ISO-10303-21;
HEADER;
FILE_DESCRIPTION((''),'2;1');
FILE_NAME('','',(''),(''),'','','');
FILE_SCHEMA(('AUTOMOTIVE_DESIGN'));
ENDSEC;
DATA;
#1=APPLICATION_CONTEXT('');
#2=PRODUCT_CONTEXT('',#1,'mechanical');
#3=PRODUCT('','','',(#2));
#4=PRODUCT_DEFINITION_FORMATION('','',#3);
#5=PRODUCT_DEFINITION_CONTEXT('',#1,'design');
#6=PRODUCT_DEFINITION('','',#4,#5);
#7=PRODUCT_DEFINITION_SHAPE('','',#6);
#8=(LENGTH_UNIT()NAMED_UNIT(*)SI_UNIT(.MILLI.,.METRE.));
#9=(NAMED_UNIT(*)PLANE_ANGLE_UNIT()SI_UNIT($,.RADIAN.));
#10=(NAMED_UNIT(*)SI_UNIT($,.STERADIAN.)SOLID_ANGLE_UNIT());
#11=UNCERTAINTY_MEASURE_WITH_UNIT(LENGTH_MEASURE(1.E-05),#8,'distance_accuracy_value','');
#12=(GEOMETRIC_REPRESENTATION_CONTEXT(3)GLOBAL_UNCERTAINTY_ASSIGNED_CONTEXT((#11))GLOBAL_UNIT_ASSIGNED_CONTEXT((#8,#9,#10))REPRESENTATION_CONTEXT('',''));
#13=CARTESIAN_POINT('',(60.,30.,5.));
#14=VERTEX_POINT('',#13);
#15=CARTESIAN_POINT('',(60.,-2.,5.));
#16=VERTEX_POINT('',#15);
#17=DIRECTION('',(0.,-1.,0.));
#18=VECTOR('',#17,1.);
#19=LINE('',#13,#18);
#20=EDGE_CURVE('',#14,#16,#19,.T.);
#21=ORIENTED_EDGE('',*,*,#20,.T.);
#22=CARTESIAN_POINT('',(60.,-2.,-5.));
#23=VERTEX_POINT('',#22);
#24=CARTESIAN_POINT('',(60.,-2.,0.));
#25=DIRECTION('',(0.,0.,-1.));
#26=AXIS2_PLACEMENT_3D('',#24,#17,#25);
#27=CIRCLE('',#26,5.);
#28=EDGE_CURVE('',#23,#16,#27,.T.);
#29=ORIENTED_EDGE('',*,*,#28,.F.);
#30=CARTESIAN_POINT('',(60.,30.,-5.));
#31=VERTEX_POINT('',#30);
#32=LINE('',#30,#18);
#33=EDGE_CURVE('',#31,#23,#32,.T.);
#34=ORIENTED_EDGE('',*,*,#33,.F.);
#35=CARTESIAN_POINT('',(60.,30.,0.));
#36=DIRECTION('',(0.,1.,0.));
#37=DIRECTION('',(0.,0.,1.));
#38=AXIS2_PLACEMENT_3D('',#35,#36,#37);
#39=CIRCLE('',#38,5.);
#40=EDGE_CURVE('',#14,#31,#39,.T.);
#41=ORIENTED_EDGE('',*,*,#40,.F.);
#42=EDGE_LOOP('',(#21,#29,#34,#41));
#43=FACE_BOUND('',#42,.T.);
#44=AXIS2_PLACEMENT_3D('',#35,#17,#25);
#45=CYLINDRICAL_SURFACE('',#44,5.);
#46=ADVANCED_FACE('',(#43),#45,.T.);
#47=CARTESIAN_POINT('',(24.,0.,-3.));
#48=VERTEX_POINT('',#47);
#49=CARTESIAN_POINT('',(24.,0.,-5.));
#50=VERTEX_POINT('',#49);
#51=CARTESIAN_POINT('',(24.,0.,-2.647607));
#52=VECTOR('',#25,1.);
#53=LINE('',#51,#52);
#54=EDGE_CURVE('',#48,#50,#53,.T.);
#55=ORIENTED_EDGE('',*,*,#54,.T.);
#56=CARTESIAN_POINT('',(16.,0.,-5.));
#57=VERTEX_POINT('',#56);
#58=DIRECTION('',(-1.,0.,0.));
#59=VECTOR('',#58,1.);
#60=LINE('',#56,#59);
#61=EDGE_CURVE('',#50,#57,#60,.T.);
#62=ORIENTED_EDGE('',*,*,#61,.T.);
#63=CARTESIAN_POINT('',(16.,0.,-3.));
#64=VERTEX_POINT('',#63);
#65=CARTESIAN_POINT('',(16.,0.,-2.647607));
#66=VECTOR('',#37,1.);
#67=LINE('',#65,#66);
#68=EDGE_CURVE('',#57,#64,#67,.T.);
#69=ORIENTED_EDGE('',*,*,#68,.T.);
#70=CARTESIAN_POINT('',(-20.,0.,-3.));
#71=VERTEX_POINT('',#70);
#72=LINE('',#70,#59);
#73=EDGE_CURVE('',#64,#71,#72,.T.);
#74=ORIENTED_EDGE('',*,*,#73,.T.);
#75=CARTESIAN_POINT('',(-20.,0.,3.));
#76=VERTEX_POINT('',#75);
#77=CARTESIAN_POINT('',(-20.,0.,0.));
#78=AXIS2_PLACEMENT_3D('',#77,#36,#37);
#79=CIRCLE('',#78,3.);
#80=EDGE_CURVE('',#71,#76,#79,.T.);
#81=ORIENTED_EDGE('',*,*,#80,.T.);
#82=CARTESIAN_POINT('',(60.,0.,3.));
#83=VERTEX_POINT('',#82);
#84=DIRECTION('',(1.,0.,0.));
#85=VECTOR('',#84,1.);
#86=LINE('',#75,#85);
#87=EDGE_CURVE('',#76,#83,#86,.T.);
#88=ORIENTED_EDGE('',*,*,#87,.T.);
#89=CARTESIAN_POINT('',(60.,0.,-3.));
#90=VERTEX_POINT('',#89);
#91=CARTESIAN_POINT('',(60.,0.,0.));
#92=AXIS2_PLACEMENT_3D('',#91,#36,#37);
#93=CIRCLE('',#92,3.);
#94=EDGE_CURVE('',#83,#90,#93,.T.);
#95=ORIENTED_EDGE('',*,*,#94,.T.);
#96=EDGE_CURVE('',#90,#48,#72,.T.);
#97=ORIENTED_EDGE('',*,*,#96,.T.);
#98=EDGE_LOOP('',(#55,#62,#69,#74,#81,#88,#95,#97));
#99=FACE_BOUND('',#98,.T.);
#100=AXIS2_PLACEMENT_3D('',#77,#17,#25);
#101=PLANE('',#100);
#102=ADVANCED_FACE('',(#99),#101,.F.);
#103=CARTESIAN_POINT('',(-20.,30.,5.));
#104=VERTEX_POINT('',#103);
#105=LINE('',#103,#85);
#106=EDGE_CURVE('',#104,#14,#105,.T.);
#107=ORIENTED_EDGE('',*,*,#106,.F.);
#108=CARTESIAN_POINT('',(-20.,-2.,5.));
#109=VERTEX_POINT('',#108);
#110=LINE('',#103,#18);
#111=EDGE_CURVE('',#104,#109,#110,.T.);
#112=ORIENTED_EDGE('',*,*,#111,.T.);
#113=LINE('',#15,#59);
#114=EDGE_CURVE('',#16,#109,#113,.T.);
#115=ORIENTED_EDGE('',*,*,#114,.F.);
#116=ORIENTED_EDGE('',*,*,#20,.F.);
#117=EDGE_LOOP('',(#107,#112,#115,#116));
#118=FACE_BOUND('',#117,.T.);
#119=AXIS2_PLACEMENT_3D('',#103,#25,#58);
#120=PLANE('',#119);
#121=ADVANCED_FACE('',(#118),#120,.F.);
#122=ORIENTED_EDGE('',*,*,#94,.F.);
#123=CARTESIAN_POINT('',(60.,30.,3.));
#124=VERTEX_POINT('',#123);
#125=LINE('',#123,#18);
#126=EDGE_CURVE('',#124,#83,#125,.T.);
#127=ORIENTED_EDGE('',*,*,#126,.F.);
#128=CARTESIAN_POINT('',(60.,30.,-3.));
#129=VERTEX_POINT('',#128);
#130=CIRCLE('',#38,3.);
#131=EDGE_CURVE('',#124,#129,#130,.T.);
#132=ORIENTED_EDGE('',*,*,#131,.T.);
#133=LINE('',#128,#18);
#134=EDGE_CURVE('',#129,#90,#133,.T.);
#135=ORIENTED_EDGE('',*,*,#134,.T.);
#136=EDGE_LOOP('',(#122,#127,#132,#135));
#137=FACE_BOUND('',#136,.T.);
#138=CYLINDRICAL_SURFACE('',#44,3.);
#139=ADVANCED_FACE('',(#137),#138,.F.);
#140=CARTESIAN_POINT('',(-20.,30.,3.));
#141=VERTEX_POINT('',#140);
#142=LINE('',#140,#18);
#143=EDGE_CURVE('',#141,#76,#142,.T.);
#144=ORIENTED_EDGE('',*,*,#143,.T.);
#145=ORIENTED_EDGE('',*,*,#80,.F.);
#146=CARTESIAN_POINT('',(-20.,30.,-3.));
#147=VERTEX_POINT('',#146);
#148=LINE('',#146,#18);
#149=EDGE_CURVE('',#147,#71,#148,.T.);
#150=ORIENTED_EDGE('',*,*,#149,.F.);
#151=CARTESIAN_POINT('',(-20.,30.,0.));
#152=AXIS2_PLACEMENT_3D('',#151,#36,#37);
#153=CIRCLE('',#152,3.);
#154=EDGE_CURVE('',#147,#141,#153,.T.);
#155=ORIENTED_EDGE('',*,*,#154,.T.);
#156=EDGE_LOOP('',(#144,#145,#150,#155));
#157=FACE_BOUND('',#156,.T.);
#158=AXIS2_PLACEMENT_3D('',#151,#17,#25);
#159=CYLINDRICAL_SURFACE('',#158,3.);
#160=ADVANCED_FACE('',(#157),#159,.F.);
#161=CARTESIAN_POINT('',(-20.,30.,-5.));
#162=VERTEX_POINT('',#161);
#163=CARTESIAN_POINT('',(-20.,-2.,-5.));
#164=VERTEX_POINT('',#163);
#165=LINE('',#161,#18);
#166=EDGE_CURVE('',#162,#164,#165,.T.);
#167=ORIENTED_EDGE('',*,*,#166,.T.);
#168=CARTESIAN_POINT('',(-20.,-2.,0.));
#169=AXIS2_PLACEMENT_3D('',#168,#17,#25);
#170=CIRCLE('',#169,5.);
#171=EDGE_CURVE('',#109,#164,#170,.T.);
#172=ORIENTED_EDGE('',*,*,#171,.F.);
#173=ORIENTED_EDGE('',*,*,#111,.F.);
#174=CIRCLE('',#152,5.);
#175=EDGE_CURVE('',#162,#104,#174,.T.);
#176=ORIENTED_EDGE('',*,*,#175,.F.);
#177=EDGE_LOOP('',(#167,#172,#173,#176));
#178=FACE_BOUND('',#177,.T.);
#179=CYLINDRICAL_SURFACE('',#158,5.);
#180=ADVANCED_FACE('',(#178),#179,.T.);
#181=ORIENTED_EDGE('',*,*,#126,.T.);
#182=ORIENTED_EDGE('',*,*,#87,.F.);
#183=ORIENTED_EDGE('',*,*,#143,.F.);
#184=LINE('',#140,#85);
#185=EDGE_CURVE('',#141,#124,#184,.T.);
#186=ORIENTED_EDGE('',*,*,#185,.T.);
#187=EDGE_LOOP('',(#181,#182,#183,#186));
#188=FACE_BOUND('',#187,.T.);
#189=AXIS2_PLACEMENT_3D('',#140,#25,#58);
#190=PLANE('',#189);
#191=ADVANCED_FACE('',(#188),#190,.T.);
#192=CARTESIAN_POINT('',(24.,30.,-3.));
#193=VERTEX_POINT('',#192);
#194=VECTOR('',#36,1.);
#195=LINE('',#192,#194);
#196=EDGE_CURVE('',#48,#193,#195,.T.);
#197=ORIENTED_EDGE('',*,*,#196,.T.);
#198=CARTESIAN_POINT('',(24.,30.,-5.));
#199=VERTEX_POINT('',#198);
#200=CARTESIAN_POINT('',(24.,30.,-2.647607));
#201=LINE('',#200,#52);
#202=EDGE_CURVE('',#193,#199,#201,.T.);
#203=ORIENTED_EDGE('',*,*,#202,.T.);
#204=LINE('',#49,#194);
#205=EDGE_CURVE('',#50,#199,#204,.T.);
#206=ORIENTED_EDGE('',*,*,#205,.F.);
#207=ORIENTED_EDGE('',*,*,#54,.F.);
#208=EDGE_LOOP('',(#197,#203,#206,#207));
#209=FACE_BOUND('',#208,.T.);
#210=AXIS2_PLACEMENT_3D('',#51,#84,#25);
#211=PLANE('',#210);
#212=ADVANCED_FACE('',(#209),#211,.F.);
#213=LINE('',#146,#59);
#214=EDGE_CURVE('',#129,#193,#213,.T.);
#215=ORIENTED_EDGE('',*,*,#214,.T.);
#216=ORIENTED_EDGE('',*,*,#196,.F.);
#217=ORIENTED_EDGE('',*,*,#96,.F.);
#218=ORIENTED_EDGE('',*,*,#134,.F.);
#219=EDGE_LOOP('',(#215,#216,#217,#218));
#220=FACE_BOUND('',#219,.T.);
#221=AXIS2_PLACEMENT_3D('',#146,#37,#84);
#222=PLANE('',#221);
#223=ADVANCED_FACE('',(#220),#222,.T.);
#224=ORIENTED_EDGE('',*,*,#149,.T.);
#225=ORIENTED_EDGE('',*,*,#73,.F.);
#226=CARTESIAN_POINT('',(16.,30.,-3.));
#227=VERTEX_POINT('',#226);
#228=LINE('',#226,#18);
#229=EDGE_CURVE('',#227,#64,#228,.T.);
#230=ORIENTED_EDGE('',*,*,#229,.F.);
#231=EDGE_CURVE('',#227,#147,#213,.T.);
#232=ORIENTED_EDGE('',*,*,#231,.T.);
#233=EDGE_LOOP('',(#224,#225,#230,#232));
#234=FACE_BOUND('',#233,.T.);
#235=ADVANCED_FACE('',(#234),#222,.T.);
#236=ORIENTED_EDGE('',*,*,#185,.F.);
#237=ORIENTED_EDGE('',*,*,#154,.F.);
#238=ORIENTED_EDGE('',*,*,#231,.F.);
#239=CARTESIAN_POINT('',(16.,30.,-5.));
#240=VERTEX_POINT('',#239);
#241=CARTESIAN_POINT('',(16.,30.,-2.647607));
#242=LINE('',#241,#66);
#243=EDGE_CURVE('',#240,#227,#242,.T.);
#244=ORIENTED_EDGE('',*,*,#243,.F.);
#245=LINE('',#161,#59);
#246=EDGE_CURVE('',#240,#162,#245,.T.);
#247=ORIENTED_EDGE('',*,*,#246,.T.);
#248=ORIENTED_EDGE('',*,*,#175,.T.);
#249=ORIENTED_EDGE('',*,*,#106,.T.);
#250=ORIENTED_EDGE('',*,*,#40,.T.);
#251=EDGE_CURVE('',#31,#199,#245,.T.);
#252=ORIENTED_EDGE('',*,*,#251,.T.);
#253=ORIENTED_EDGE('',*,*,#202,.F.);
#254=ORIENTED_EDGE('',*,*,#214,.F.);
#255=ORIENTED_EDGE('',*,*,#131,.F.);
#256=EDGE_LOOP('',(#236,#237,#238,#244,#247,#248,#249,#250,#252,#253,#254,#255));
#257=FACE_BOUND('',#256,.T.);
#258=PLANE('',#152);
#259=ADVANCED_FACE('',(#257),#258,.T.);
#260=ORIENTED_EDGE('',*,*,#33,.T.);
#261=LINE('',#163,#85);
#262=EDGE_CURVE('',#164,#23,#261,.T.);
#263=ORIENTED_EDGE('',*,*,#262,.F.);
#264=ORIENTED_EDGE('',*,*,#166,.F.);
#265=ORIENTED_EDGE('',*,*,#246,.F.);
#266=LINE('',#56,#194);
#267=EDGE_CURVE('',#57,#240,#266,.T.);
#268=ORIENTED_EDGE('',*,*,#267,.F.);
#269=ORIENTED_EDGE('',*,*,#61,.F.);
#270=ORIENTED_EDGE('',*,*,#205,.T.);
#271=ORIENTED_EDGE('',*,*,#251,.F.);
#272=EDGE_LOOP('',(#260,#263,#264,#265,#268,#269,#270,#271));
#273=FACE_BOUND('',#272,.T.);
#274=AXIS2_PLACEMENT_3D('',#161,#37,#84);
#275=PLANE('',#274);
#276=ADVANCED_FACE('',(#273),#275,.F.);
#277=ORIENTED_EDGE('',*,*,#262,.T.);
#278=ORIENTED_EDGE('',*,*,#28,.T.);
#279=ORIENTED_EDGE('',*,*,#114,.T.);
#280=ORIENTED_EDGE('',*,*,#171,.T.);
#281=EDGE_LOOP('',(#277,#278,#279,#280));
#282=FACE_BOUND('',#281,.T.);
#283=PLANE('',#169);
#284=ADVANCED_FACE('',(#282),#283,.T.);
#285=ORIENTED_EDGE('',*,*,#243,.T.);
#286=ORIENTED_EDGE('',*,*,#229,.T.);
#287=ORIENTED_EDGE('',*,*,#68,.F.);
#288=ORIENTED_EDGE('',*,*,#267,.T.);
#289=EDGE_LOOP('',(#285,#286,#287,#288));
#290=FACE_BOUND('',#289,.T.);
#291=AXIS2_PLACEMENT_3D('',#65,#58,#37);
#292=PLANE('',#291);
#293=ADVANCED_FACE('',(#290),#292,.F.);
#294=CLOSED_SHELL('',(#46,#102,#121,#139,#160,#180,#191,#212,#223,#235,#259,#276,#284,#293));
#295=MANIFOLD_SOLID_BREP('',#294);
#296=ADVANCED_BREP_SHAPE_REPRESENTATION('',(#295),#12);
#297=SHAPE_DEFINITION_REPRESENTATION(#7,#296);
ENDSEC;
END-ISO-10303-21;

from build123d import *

# Parameters (mm, degrees)
EXTRUDE_1_DEPTH     = 30
EXTRUDE_2_DEPTH     = 2
SKETCH_3_W          = 8
SKETCH_3_H          = 2.352392564
CUT_EXTRUDE_1_DEPTH = 30


with BuildPart() as part:
    # 草圖1 → 填料-伸長1 (new body)
    with BuildSketch(Plane(origin=(0, 0, 0), x_dir=(1, 0, 0), z_dir=(0, 1, 0))):
        with BuildLine():
            Line((-20, 5), (60, 5))
            ThreePointArc((60, 5), (65, 0), (60, -5))
            Line((60, -5), (-20, -5))
            ThreePointArc((-20, -5), (-25, 0), (-20, 5))
        make_face()
        with BuildLine():
            Line((-20, 3), (60, 3))
            ThreePointArc((60, 3), (63, 0), (60, -3))
            Line((60, -3), (-20, -3))
            ThreePointArc((-20, -3), (-23, 0), (-20, 3))
        make_face(mode=Mode.SUBTRACT)
    extrude(amount=EXTRUDE_1_DEPTH)

    # 草圖2 → 填料-伸長2 (add)
    with BuildSketch(Plane.XZ):
        with BuildLine():
            Line((-20, -5), (60, -5))
            ThreePointArc((60, -5), (65, 0), (60, 5))
            Line((60, 5), (-20, 5))
            ThreePointArc((-20, 5), (-25, 0), (-20, -5))
        make_face()
    extrude(amount=EXTRUDE_2_DEPTH)

    # 草圖3 → 除料-伸長1 (cut)
    with BuildSketch(Plane(origin=(0, 30, 0), x_dir=(1, 0, 0), z_dir=(0, 1, 0))):
        with Locations((20, 3.823803718)):
            Rectangle(SKETCH_3_W, SKETCH_3_H)
    extrude(amount=-CUT_EXTRUDE_1_DEPTH, mode=Mode.SUBTRACT)


solid = part.part
